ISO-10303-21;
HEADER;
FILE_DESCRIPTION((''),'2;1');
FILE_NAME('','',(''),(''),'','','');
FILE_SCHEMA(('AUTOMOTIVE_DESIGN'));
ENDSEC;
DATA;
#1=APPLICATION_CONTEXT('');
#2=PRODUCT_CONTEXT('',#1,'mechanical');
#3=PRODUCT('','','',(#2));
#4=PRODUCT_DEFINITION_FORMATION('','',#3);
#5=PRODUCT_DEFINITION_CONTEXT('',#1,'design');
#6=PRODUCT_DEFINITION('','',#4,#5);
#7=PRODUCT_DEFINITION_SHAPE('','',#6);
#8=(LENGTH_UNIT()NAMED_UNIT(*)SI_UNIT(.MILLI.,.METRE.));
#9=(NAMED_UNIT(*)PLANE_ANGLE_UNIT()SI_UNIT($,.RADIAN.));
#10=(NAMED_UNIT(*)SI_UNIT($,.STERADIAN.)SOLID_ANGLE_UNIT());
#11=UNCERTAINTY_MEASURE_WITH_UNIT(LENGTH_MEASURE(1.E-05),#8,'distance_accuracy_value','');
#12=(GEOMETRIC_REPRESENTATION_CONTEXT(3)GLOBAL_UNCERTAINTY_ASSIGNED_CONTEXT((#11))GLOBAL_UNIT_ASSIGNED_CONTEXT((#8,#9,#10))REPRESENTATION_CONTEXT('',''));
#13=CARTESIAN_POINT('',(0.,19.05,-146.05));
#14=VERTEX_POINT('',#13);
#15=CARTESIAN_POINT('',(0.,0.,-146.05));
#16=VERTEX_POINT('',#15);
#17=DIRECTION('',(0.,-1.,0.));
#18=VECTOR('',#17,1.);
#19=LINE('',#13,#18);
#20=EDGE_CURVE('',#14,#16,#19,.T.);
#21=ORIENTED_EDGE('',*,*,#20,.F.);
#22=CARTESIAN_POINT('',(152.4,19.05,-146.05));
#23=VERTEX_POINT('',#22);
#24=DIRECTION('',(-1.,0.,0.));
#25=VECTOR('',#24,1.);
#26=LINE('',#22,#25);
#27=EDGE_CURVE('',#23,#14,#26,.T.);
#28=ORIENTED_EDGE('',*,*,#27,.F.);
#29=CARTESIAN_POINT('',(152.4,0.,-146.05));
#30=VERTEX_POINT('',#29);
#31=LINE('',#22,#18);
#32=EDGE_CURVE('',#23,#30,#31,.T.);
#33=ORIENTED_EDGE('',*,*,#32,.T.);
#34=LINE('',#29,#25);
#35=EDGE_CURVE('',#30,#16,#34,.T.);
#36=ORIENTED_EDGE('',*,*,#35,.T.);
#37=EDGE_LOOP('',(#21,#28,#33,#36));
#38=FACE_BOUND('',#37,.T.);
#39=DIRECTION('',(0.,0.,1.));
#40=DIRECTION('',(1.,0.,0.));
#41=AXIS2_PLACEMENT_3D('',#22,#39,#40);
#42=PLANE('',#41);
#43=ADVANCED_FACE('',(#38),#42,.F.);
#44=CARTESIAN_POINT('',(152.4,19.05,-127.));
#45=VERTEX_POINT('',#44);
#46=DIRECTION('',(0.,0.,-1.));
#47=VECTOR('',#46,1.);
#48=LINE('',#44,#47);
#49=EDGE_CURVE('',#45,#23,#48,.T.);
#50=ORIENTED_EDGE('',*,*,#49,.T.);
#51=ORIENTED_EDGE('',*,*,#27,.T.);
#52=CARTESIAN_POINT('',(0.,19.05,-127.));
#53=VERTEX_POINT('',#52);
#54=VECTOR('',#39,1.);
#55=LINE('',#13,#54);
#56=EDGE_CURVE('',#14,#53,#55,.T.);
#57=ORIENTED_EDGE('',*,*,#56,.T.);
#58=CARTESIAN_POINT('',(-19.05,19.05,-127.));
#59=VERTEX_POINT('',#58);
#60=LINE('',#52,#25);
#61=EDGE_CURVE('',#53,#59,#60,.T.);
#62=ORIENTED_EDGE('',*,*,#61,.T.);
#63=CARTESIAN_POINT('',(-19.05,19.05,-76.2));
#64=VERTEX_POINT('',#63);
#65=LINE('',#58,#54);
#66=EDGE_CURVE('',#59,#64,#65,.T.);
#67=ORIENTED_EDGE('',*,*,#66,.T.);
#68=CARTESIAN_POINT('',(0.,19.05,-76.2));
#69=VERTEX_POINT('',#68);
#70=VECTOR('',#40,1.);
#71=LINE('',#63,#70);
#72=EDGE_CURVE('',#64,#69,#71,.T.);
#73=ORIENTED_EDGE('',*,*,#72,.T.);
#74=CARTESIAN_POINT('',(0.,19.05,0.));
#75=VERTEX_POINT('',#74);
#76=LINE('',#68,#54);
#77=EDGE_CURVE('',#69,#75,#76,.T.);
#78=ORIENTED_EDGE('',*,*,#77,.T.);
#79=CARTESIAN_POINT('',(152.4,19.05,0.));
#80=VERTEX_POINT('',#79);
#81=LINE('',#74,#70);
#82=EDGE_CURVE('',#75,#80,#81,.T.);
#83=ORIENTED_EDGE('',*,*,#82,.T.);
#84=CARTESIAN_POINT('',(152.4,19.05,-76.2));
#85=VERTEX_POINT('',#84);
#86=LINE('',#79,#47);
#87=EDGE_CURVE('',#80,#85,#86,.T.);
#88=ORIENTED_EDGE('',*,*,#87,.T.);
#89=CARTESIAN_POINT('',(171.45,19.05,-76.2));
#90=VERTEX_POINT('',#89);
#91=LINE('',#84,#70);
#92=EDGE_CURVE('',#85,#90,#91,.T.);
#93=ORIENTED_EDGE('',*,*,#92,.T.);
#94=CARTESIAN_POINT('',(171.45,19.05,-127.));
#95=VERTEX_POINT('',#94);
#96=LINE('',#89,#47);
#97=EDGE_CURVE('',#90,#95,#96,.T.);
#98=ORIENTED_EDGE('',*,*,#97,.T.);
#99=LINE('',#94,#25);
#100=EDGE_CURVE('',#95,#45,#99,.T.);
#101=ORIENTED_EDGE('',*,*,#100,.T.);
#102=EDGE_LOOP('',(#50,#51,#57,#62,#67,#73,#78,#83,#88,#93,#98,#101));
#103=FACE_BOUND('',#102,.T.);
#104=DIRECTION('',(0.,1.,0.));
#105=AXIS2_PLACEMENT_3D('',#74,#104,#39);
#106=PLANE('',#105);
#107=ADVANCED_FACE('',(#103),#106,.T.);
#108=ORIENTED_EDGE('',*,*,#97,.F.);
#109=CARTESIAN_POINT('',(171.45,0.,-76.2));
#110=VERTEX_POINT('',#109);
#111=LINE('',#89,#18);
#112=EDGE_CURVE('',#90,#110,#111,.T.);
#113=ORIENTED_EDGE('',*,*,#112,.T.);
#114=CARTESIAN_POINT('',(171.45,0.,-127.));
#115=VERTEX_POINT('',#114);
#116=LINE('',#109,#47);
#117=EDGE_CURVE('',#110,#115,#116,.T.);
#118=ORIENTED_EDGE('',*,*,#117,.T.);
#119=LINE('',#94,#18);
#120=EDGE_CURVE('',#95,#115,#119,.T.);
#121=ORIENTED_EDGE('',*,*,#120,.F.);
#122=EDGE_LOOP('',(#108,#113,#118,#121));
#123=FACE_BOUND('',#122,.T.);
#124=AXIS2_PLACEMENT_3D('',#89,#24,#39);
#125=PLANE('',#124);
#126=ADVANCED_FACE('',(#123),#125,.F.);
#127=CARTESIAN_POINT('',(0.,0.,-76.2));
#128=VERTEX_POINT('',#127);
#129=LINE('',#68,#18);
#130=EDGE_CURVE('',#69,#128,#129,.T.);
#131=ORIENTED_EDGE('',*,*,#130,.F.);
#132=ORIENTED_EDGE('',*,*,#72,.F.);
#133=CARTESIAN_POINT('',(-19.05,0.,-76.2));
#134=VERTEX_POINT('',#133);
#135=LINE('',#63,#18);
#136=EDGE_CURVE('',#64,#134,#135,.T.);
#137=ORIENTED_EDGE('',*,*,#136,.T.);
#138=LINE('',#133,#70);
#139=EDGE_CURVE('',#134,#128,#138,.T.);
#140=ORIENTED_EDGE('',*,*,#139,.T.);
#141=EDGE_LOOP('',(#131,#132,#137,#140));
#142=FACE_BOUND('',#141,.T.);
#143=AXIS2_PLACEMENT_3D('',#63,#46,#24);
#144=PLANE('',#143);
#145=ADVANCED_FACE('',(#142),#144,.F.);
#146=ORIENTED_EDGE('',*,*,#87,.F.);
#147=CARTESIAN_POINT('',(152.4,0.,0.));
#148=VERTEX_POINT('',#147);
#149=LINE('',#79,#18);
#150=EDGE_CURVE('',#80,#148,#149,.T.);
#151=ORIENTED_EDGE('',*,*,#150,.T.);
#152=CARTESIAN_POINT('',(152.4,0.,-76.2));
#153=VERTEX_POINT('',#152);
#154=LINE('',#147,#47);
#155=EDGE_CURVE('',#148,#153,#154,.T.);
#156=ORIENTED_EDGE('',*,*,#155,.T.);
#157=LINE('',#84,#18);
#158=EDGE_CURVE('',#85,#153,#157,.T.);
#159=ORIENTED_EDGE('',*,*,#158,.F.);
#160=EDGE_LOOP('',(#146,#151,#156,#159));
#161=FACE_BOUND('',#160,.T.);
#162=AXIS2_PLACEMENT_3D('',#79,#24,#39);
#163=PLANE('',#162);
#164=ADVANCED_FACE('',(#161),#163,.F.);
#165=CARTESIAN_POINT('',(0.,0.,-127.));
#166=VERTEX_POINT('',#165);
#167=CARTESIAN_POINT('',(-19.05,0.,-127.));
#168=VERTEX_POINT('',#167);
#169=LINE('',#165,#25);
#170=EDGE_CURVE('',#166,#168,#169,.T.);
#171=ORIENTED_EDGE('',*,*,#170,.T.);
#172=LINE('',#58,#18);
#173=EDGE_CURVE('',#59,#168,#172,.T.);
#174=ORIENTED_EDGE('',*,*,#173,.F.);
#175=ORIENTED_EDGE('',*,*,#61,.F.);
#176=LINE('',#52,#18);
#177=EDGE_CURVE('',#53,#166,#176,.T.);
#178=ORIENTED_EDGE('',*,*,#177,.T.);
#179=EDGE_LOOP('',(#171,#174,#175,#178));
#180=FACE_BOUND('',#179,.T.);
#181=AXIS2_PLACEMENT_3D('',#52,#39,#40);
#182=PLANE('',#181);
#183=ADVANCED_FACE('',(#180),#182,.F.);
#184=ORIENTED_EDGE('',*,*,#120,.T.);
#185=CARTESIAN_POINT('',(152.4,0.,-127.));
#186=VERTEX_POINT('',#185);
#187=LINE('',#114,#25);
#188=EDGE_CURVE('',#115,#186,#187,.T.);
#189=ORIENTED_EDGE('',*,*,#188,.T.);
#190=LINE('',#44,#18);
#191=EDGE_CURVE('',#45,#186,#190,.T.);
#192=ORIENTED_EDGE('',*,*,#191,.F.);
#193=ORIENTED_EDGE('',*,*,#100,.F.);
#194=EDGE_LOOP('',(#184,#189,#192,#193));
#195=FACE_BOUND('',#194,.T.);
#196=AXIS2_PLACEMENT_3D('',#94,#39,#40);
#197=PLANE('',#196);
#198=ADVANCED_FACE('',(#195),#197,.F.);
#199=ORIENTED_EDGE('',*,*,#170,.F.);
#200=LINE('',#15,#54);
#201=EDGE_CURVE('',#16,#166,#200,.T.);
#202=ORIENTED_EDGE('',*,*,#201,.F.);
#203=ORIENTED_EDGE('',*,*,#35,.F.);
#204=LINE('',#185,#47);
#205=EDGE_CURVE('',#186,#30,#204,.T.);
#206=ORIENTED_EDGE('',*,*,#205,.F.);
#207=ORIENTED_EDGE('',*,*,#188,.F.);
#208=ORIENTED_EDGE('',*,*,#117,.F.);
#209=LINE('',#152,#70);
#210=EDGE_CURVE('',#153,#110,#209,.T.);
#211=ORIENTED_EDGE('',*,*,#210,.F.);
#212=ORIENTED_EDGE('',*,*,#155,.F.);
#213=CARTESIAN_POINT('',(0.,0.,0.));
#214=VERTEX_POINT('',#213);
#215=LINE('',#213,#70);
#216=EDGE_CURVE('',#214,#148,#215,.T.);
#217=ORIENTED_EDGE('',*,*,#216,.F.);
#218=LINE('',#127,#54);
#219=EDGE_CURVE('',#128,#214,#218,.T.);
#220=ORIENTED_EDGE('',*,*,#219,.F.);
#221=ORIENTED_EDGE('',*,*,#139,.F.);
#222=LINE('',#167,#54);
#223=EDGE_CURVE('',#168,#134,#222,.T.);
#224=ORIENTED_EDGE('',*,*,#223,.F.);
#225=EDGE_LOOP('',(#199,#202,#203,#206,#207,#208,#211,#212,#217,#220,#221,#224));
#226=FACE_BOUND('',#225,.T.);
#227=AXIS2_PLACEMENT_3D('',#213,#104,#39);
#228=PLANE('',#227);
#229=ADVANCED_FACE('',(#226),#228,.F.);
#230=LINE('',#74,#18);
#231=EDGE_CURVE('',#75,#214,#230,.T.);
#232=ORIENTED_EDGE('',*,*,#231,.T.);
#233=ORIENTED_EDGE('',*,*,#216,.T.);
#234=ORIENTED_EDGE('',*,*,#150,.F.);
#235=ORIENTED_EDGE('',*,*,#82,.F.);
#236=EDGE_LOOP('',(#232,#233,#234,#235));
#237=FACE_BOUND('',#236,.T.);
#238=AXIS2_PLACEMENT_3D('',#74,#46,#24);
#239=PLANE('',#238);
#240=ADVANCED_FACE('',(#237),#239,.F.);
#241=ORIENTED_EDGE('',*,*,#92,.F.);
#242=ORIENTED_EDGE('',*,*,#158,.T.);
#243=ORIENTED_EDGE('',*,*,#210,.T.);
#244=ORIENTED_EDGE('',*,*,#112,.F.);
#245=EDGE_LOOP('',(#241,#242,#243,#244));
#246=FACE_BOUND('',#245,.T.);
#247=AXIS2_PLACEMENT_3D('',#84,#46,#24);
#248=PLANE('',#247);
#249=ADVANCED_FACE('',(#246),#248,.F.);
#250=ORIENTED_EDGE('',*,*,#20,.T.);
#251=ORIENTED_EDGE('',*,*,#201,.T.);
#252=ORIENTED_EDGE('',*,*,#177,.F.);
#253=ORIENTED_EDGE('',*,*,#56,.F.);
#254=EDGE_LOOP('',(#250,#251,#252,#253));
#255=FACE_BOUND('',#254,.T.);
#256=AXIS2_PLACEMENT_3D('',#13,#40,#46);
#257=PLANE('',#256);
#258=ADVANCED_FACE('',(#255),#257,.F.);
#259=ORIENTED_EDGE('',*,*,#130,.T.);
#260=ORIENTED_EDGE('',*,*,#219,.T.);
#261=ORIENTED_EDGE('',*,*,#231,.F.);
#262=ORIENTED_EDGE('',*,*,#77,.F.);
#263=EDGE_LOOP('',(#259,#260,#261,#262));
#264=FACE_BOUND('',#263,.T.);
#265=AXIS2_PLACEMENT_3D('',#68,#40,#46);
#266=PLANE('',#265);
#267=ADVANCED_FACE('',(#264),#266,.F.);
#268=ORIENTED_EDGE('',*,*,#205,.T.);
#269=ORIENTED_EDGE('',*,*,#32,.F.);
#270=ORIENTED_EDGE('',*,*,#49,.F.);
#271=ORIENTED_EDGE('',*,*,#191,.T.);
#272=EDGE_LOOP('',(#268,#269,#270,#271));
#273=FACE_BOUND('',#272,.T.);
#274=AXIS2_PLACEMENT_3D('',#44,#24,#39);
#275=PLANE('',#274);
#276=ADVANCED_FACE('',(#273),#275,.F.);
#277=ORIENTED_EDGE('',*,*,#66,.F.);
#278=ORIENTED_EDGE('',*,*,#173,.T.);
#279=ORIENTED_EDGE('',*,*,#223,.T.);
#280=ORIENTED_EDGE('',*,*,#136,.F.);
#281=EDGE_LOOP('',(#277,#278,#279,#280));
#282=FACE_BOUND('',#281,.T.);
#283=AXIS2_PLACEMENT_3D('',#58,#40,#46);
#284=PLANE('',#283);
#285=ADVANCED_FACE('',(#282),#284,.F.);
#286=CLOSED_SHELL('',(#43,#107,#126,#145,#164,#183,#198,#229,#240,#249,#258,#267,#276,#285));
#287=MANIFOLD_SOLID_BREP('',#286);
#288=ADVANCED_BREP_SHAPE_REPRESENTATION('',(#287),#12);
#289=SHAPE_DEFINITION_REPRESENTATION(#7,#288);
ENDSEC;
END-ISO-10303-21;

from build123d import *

# Parameters (mm, degrees)
BOSS_EXTRUDE1_DEPTH = 19.05


with BuildPart() as part:
    # Sketch1 → Boss-Extrude1 (new body)
    with BuildSketch(Plane(origin=(0, 0, 0), x_dir=(1, 0, 0), z_dir=(0, 1, 0))):
        Polygon((0, 0), (152.4, 0), (152.4, 76.2), (171.45, 76.2), (171.45, 127), (152.4, 127), (152.4, 146.05), (0, 146.05), (0, 127), (-19.05, 127), (-19.05, 76.2), (0, 76.2), align=None)
    extrude(amount=BOSS_EXTRUDE1_DEPTH)


solid = part.part
